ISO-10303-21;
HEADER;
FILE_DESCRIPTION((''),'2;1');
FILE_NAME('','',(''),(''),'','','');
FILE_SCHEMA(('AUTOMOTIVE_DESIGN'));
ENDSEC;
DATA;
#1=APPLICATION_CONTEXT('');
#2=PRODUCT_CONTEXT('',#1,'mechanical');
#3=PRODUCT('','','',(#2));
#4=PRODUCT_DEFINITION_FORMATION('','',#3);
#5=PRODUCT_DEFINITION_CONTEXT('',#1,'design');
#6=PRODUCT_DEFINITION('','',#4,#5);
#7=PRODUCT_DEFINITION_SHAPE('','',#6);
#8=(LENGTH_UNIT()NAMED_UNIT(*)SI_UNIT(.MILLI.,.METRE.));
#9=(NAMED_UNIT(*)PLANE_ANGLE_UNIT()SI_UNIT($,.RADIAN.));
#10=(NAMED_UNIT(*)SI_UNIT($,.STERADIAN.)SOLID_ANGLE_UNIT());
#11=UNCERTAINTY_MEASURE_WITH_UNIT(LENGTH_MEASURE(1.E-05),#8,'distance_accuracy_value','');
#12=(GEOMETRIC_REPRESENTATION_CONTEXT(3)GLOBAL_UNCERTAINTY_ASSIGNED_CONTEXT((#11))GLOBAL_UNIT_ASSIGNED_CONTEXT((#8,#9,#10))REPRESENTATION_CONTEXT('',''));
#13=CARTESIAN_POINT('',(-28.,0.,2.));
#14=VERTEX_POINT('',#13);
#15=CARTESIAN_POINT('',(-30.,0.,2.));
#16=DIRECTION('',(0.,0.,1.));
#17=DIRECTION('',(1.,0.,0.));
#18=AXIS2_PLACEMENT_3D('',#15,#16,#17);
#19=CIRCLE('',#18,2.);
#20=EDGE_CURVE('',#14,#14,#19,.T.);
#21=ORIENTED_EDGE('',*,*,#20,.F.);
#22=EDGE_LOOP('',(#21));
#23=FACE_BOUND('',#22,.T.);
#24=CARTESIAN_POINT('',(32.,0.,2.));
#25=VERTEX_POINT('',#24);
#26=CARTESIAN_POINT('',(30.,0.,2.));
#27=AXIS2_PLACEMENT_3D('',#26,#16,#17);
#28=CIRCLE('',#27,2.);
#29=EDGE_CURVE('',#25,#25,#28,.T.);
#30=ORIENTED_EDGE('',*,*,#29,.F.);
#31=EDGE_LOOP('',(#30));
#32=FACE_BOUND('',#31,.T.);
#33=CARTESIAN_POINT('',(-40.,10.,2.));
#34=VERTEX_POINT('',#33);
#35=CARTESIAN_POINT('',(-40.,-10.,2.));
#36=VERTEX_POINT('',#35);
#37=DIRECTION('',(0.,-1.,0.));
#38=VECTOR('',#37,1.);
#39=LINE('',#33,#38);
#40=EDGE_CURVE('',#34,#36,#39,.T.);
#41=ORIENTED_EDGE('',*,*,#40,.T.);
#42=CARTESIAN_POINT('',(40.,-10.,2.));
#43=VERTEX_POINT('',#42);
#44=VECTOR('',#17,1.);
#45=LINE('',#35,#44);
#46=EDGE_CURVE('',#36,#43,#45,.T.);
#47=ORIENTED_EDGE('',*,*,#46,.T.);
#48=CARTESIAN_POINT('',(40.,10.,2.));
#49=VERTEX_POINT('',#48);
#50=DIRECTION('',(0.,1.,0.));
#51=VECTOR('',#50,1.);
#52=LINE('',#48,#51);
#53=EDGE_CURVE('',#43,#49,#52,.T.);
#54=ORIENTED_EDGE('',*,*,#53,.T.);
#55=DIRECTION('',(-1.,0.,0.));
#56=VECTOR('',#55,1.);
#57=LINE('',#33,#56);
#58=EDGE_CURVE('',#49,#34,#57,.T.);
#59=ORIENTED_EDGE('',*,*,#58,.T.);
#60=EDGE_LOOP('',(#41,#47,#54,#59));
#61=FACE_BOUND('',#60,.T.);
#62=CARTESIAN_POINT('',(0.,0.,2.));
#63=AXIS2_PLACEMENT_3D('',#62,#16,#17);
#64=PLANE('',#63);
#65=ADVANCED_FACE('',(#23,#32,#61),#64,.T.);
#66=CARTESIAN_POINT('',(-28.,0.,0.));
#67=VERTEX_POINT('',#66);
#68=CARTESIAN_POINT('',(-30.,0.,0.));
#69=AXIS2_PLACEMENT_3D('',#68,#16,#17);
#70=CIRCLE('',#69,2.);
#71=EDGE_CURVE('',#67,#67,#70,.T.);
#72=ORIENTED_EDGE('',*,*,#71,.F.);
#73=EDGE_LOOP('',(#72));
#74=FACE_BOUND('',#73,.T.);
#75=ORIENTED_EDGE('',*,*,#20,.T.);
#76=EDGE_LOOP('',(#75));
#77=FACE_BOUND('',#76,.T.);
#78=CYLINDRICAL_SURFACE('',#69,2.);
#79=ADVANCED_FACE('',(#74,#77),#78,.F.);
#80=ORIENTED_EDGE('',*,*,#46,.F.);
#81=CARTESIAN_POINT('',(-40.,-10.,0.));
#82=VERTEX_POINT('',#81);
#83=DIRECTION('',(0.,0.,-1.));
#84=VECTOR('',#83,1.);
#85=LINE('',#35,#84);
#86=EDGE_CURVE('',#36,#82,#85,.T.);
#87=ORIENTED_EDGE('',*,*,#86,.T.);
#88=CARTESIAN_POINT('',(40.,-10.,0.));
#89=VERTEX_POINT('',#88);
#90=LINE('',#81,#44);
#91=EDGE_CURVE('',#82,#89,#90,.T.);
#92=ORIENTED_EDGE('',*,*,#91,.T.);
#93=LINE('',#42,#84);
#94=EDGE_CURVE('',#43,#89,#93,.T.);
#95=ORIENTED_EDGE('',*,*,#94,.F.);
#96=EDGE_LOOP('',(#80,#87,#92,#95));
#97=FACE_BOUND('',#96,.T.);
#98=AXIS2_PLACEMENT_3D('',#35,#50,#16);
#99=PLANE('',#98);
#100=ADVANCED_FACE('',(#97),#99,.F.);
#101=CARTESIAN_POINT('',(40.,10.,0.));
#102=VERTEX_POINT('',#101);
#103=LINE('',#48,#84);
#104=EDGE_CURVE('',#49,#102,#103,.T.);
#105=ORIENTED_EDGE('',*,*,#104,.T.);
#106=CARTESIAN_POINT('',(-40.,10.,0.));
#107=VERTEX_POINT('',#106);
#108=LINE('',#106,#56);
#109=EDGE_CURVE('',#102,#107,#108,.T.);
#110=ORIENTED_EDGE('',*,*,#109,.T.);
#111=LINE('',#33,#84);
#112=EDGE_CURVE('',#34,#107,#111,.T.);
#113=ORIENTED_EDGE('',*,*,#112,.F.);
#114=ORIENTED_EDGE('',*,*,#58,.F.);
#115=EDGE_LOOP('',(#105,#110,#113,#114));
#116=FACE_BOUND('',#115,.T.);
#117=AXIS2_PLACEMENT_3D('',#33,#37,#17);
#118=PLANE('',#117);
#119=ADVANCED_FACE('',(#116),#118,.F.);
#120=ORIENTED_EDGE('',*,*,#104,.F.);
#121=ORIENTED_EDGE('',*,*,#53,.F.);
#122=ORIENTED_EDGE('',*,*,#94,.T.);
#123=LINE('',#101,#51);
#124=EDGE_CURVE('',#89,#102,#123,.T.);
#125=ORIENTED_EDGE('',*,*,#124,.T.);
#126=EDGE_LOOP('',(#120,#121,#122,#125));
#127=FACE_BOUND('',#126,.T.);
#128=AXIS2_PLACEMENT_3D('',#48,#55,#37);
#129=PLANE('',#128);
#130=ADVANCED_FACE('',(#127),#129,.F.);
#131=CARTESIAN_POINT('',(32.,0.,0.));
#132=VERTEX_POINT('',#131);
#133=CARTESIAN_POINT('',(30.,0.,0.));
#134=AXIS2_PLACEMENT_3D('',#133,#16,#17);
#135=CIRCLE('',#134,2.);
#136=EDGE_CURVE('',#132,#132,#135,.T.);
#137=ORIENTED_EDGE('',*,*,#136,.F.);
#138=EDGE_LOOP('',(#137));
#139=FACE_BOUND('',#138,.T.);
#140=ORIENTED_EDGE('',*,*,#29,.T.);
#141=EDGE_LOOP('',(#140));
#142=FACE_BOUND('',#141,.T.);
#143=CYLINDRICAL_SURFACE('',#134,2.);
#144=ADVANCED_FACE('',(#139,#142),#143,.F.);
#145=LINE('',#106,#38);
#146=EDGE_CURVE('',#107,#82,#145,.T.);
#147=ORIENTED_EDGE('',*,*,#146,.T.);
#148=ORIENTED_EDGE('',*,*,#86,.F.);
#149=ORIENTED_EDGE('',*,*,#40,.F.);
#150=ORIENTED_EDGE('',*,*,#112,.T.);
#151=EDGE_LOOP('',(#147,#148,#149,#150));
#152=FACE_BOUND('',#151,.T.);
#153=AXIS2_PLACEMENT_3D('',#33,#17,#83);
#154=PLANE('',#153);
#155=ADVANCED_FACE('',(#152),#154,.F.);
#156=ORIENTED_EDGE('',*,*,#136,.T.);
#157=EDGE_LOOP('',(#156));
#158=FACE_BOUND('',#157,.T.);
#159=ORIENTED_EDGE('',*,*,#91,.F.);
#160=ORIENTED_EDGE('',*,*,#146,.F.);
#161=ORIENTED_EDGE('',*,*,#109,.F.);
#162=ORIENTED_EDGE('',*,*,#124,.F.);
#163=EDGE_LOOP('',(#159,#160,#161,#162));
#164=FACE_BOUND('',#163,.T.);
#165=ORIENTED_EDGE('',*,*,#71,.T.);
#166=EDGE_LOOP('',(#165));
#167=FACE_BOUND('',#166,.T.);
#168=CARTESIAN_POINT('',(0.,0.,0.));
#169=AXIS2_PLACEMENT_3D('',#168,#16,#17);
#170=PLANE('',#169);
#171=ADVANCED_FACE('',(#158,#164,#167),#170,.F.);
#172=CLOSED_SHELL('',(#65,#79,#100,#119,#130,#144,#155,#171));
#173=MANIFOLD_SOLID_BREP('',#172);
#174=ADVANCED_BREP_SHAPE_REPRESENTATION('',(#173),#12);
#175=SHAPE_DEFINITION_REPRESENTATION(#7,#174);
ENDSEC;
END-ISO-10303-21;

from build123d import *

# Parameters (mm, degrees)
SKETCH1_W           = 80
SKETCH1_H           = 20
BOSS_EXTRUDE1_DEPTH = 2
SKETCH3_R           = 2
CUT_EXTRUDE1_DEPTH  = 2


with BuildPart() as part:
    # Sketch1 → Boss-Extrude1 (new body)
    with BuildSketch(Plane.XY):
        Rectangle(SKETCH1_W, SKETCH1_H)
    extrude(amount=BOSS_EXTRUDE1_DEPTH)

    # Sketch3 → Cut-Extrude1 (cut)
    with BuildSketch(Plane.XY.offset(2)):
        with Locations((-30, 0)):
            Circle(SKETCH3_R)
        with Locations((30, 0)):
            Circle(SKETCH3_R)
    extrude(amount=-CUT_EXTRUDE1_DEPTH, mode=Mode.SUBTRACT)


solid = part.part
